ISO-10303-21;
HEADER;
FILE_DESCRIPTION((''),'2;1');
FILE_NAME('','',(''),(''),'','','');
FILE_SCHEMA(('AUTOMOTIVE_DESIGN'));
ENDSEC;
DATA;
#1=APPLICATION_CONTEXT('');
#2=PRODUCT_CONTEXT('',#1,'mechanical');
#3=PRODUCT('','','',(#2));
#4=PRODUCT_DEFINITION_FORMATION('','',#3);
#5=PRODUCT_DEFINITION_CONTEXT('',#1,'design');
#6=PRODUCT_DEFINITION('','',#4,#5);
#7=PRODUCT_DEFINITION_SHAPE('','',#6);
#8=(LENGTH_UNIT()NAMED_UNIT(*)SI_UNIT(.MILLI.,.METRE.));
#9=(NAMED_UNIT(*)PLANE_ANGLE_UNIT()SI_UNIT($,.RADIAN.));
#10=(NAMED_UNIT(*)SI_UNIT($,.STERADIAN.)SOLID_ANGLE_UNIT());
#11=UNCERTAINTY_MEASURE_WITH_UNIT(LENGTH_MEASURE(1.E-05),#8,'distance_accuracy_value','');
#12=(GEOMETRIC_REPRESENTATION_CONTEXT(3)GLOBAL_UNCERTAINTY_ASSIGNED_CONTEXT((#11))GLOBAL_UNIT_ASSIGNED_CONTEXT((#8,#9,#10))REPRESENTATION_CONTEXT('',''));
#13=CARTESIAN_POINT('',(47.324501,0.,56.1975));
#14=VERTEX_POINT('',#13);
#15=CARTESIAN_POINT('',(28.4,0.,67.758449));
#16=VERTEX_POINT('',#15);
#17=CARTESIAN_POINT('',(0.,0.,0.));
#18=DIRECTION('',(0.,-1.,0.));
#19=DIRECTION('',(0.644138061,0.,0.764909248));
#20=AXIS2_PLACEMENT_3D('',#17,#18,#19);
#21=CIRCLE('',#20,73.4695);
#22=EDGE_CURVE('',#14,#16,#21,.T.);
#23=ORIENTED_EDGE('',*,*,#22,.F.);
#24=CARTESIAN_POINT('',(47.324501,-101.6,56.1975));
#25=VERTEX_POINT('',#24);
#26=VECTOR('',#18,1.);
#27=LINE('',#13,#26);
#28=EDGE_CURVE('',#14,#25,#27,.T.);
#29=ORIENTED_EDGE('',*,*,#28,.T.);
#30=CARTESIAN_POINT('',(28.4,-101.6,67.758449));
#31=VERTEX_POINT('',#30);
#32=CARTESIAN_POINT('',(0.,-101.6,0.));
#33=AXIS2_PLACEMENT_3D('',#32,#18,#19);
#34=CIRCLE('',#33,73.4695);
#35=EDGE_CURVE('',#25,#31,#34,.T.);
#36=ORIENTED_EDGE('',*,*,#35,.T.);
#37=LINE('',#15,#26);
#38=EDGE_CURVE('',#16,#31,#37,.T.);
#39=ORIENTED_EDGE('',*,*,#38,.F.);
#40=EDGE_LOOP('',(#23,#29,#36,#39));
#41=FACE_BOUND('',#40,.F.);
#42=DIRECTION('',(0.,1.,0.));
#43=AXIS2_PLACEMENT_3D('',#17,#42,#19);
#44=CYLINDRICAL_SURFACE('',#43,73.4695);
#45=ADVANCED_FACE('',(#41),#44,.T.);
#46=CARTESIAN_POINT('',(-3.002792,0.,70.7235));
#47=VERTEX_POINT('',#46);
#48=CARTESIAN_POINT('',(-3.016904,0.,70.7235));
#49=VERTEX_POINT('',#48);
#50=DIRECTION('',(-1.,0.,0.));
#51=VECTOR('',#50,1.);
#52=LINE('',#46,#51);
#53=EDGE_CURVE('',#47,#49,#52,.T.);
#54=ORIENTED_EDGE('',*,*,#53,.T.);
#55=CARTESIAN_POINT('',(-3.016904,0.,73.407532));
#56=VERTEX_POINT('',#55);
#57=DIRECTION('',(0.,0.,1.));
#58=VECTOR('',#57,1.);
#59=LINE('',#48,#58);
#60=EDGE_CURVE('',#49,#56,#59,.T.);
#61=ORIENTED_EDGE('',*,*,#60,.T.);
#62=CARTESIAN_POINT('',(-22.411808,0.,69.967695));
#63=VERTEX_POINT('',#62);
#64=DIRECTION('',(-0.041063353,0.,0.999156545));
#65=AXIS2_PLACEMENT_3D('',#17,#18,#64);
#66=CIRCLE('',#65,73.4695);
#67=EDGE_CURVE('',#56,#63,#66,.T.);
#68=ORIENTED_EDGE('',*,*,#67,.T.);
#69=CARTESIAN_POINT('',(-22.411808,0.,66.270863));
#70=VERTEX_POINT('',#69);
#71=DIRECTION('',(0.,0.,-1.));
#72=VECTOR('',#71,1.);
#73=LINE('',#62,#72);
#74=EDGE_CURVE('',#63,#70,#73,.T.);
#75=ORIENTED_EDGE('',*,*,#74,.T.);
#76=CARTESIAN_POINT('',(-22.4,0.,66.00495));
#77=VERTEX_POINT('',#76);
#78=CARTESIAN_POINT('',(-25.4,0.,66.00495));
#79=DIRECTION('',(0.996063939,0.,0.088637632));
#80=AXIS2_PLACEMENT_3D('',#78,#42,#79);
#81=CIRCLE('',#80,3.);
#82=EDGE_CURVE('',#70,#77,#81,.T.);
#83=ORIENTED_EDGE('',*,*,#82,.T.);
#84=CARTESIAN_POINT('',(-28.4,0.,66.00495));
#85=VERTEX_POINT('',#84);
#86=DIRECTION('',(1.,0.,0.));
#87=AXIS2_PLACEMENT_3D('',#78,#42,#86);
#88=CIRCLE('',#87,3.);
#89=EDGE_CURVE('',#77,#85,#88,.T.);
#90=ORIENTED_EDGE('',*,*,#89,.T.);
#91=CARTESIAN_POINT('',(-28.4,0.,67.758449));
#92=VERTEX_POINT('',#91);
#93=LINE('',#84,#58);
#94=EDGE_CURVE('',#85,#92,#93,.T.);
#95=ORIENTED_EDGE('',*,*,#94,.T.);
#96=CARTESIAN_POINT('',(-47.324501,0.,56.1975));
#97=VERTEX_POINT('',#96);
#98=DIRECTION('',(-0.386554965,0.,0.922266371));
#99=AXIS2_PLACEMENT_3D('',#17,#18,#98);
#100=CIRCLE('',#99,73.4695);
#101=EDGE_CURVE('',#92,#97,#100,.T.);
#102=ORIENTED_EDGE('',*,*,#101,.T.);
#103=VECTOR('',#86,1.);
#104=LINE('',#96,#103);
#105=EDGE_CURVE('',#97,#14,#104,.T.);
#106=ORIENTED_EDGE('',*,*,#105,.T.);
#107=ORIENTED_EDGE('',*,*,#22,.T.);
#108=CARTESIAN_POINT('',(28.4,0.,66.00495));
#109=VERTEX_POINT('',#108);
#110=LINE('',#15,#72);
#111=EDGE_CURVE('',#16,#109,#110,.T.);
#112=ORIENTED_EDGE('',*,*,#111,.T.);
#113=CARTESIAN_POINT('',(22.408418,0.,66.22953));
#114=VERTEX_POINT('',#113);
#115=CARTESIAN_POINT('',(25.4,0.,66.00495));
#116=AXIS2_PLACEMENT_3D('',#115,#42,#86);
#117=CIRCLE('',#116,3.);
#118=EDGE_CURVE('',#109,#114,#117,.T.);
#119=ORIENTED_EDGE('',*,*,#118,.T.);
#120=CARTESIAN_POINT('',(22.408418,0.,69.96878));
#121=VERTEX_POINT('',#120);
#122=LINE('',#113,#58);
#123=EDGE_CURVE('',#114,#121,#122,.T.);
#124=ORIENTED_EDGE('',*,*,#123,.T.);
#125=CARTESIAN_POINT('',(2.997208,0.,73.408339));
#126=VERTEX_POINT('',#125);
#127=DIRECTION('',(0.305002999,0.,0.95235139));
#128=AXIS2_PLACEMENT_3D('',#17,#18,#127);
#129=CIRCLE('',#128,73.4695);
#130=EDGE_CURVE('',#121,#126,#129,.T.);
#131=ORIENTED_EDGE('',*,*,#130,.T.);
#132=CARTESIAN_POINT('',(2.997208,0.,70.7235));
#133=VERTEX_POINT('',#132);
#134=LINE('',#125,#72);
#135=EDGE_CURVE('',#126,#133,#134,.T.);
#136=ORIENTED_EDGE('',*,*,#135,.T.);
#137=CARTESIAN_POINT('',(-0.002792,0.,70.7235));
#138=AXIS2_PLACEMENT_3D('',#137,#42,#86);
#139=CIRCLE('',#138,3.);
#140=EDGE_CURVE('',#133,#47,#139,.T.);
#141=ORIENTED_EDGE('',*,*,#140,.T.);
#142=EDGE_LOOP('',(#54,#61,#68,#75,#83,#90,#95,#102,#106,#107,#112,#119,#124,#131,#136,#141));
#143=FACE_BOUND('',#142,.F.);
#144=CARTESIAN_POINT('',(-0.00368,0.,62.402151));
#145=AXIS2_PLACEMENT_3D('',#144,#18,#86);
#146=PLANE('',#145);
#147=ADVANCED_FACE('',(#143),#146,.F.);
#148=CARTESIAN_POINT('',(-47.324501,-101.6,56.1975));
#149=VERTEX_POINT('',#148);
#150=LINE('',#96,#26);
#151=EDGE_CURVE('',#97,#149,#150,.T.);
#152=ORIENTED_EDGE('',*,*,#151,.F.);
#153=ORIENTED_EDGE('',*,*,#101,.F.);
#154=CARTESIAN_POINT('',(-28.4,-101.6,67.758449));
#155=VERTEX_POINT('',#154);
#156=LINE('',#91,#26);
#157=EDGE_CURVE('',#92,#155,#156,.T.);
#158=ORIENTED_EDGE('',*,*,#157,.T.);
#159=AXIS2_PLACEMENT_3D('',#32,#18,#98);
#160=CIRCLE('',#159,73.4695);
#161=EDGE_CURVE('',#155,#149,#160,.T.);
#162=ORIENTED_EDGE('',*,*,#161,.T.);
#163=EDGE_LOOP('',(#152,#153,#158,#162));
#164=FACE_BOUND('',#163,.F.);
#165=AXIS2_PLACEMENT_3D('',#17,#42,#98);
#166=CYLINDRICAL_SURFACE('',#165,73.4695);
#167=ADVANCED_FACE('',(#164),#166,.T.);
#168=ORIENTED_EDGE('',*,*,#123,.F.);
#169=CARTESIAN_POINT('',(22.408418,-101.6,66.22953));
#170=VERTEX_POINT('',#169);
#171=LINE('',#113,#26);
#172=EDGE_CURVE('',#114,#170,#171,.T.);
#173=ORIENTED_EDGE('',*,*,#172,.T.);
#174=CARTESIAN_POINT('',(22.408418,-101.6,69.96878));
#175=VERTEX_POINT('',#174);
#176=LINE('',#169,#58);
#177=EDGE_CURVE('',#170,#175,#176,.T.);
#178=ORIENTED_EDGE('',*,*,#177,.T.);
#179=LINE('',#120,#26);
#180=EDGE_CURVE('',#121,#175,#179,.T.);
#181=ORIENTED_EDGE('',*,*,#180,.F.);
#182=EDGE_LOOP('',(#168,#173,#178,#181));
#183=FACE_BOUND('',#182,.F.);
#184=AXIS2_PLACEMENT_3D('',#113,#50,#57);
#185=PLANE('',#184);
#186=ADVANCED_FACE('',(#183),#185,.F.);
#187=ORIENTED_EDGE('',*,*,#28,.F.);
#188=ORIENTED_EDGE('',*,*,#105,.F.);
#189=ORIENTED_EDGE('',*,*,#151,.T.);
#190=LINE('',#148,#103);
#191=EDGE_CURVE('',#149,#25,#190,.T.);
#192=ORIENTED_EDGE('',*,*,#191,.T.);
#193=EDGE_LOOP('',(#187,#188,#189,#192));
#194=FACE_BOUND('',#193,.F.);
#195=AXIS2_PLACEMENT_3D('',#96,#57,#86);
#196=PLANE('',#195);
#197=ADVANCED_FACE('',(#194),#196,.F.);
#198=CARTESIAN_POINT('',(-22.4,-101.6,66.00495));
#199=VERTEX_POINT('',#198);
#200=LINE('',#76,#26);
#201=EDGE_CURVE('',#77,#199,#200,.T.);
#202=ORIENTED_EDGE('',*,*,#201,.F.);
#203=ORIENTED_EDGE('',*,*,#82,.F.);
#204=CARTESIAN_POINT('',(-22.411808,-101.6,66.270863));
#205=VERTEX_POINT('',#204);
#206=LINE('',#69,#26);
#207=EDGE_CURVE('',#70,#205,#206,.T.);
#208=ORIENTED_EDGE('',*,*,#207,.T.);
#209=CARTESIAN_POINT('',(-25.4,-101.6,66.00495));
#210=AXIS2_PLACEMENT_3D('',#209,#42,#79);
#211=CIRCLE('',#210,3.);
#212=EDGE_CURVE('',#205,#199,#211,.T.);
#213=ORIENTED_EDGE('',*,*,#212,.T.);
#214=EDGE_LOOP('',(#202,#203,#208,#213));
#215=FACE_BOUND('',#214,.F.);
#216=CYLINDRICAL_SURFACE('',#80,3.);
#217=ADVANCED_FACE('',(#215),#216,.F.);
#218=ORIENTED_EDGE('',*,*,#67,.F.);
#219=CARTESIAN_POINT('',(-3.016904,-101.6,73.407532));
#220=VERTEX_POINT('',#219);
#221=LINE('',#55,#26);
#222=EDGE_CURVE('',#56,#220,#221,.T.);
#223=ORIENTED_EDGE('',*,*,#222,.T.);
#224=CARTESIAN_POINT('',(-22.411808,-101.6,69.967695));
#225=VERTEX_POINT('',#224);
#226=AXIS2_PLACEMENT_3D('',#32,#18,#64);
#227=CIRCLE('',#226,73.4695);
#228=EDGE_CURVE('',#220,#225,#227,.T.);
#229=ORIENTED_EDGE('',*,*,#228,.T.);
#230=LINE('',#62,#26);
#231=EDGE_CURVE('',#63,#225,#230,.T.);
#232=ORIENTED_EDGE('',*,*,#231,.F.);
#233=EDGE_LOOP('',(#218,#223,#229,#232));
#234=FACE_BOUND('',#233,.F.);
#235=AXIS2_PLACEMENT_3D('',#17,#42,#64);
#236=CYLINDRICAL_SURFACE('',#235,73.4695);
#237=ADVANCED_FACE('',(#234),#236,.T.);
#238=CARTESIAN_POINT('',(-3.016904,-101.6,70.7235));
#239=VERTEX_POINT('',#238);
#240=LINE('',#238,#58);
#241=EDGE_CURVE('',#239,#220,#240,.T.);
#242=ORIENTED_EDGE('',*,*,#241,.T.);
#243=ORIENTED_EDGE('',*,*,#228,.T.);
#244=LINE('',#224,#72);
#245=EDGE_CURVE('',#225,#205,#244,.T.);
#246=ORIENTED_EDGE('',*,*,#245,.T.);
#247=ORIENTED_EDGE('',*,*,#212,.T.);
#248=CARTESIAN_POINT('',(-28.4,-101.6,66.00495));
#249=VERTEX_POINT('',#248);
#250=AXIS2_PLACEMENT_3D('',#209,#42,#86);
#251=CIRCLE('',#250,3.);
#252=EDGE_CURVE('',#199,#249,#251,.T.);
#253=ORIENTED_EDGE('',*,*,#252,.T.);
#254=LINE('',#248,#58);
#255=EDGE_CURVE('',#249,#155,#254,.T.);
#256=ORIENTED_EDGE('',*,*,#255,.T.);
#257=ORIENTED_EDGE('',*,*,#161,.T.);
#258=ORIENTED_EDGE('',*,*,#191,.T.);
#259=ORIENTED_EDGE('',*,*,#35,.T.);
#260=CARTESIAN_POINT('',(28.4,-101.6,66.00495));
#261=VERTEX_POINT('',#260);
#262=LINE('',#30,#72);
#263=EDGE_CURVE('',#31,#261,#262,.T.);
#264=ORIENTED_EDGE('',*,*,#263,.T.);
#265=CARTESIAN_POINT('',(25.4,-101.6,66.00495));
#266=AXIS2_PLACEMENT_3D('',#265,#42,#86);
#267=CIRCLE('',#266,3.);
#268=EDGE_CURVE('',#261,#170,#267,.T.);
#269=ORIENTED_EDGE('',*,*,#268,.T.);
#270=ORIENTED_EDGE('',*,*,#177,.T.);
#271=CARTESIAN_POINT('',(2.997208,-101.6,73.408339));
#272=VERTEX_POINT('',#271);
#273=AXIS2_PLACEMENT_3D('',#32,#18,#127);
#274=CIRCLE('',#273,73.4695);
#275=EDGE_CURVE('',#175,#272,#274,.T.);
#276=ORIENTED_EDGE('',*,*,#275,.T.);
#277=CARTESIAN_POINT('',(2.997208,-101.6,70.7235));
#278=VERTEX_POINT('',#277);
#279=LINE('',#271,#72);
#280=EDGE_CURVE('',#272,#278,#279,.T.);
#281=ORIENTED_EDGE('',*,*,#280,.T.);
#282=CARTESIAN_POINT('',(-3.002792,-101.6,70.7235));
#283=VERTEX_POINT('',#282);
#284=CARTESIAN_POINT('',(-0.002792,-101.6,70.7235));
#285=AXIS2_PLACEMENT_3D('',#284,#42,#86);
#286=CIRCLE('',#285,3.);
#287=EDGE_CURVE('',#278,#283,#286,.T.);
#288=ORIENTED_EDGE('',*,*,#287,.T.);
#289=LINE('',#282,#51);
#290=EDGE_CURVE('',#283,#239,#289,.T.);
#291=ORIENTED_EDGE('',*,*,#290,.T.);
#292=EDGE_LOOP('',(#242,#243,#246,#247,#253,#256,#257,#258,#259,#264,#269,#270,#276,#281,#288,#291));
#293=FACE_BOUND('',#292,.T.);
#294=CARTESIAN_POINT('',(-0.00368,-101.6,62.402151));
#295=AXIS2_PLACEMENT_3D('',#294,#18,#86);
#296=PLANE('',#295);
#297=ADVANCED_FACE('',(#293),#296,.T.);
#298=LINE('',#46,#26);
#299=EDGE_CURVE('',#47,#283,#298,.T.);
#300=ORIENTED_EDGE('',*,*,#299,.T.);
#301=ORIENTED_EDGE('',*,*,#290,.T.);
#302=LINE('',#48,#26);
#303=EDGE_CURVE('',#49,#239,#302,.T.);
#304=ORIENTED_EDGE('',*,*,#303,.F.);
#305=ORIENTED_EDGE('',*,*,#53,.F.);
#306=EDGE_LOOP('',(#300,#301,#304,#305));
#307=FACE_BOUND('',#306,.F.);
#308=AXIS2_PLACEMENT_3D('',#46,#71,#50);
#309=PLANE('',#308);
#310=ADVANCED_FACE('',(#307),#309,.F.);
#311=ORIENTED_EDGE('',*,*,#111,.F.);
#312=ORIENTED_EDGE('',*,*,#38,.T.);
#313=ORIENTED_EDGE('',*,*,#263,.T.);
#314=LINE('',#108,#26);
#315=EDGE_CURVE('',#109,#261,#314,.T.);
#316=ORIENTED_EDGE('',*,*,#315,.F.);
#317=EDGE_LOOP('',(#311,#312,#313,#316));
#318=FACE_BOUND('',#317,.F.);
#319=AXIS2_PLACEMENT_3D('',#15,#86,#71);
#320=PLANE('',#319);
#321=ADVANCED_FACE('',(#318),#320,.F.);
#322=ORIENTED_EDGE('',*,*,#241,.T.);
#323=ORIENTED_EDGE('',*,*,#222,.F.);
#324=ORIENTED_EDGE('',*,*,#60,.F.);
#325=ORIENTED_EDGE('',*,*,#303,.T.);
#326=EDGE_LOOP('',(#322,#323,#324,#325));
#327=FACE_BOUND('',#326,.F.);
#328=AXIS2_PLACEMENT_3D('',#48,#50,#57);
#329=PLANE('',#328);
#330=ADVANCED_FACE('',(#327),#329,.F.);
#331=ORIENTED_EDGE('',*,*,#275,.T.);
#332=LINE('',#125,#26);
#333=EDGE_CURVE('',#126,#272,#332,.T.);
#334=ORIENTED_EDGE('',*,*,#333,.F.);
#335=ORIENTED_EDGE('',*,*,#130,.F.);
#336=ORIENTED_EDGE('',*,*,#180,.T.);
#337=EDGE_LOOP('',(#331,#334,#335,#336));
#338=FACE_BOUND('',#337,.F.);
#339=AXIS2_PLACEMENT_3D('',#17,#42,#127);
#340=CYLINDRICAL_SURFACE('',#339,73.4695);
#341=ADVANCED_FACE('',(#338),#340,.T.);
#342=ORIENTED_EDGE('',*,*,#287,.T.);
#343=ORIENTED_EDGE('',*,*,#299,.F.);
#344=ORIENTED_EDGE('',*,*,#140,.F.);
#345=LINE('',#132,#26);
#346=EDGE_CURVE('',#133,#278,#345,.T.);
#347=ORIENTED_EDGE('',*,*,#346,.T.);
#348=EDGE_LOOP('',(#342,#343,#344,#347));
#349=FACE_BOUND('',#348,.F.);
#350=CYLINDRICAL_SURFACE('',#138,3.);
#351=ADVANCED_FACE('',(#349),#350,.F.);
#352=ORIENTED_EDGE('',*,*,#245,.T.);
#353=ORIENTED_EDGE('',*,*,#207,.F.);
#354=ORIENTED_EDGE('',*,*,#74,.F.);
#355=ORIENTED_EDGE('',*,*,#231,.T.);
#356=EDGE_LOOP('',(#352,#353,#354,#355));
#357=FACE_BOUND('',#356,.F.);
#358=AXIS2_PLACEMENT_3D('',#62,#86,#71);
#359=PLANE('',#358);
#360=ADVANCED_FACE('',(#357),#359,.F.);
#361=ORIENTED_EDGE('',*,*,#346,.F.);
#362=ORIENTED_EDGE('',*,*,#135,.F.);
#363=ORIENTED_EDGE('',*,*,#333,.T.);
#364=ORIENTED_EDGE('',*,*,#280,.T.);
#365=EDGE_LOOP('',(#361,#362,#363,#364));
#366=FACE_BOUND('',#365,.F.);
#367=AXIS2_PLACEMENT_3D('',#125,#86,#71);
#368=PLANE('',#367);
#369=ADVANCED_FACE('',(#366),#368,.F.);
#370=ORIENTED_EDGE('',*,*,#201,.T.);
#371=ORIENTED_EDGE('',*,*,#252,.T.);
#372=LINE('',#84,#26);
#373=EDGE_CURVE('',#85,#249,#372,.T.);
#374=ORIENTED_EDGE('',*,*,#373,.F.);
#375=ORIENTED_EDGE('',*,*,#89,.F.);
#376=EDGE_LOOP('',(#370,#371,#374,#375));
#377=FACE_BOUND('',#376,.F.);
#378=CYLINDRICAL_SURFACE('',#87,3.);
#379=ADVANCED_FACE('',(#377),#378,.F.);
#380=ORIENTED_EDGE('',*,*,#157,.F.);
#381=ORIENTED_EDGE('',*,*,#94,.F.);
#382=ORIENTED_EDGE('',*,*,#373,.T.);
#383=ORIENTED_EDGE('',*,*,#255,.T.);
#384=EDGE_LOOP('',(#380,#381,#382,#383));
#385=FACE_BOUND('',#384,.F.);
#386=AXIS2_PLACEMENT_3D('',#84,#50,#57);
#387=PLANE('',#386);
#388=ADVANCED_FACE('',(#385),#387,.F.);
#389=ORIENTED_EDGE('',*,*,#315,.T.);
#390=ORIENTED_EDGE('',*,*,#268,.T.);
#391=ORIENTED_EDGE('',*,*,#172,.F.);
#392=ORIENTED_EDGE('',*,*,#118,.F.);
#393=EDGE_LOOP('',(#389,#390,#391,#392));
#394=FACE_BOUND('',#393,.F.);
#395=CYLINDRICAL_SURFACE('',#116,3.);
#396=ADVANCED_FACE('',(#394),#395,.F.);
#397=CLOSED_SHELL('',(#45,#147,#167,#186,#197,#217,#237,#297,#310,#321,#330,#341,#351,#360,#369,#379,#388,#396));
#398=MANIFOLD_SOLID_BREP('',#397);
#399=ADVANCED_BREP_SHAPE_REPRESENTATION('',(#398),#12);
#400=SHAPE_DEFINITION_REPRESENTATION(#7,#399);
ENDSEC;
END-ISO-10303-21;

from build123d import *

# Parameters (mm, degrees)
F1_DEPTH = 101.6


with BuildPart() as f1:
    # F0 (on Front) → F1 (new body)
    with BuildSketch(Plane.XZ):
        with BuildLine():
            Line((-47.3245013075, 56.1975), (47.3245013075, 56.1975))
            ThreePointArc((47.3245013075, 56.1975), (38.3009648813, 62.6961204495), (28.4, 67.7584491429))
            Line((28.4, 67.7584491429), (28.4, 66.0049502102))
            ThreePointArc((28.4, 66.0049502102), (25.2876310607, 63.0070554119), (22.4084178523, 66.2295303826))
            Line((22.4084178523, 66.2295303826), (22.4084178523, 69.9687804639))
            ThreePointArc((22.4084178523, 69.9687804639), (12.8187011015, 72.3425762074), (2.997208132, 73.408338584))
            Line((2.997208132, 73.408338584), (2.997208132, 70.7234999449))
            ThreePointArc((2.997208132, 70.7234999449), (-0.002791868, 67.7234999449), (-3.002791868, 70.7234999449))
            Line((-3.002791868, 70.7234999449), (-3.0169040135, 70.7234999449))
            Line((-3.0169040135, 70.7234999449), (-3.0169040135, 73.407531769))
            ThreePointArc((-3.0169040135, 73.407531769), (-12.8301586499, 72.3405450579), (-22.4118081837, 69.9676945753))
            Line((-22.4118081837, 69.9676945753), (-22.4118081837, 66.2708631072))
            ThreePointArc((-22.4118081837, 66.2708631072), (-22.4029534998, 66.1380376833), (-22.4, 66.0049502102))
            ThreePointArc((-22.4, 66.0049502102), (-25.4, 63.0049502102), (-28.4, 66.0049502102))
            Line((-28.4, 66.0049502102), (-28.4, 67.7584491429))
            ThreePointArc((-28.4, 67.7584491429), (-38.3009648813, 62.6961204495), (-47.3245013075, 56.1975))
        make_face()
    extrude(amount=F1_DEPTH)


solid = f1.part
